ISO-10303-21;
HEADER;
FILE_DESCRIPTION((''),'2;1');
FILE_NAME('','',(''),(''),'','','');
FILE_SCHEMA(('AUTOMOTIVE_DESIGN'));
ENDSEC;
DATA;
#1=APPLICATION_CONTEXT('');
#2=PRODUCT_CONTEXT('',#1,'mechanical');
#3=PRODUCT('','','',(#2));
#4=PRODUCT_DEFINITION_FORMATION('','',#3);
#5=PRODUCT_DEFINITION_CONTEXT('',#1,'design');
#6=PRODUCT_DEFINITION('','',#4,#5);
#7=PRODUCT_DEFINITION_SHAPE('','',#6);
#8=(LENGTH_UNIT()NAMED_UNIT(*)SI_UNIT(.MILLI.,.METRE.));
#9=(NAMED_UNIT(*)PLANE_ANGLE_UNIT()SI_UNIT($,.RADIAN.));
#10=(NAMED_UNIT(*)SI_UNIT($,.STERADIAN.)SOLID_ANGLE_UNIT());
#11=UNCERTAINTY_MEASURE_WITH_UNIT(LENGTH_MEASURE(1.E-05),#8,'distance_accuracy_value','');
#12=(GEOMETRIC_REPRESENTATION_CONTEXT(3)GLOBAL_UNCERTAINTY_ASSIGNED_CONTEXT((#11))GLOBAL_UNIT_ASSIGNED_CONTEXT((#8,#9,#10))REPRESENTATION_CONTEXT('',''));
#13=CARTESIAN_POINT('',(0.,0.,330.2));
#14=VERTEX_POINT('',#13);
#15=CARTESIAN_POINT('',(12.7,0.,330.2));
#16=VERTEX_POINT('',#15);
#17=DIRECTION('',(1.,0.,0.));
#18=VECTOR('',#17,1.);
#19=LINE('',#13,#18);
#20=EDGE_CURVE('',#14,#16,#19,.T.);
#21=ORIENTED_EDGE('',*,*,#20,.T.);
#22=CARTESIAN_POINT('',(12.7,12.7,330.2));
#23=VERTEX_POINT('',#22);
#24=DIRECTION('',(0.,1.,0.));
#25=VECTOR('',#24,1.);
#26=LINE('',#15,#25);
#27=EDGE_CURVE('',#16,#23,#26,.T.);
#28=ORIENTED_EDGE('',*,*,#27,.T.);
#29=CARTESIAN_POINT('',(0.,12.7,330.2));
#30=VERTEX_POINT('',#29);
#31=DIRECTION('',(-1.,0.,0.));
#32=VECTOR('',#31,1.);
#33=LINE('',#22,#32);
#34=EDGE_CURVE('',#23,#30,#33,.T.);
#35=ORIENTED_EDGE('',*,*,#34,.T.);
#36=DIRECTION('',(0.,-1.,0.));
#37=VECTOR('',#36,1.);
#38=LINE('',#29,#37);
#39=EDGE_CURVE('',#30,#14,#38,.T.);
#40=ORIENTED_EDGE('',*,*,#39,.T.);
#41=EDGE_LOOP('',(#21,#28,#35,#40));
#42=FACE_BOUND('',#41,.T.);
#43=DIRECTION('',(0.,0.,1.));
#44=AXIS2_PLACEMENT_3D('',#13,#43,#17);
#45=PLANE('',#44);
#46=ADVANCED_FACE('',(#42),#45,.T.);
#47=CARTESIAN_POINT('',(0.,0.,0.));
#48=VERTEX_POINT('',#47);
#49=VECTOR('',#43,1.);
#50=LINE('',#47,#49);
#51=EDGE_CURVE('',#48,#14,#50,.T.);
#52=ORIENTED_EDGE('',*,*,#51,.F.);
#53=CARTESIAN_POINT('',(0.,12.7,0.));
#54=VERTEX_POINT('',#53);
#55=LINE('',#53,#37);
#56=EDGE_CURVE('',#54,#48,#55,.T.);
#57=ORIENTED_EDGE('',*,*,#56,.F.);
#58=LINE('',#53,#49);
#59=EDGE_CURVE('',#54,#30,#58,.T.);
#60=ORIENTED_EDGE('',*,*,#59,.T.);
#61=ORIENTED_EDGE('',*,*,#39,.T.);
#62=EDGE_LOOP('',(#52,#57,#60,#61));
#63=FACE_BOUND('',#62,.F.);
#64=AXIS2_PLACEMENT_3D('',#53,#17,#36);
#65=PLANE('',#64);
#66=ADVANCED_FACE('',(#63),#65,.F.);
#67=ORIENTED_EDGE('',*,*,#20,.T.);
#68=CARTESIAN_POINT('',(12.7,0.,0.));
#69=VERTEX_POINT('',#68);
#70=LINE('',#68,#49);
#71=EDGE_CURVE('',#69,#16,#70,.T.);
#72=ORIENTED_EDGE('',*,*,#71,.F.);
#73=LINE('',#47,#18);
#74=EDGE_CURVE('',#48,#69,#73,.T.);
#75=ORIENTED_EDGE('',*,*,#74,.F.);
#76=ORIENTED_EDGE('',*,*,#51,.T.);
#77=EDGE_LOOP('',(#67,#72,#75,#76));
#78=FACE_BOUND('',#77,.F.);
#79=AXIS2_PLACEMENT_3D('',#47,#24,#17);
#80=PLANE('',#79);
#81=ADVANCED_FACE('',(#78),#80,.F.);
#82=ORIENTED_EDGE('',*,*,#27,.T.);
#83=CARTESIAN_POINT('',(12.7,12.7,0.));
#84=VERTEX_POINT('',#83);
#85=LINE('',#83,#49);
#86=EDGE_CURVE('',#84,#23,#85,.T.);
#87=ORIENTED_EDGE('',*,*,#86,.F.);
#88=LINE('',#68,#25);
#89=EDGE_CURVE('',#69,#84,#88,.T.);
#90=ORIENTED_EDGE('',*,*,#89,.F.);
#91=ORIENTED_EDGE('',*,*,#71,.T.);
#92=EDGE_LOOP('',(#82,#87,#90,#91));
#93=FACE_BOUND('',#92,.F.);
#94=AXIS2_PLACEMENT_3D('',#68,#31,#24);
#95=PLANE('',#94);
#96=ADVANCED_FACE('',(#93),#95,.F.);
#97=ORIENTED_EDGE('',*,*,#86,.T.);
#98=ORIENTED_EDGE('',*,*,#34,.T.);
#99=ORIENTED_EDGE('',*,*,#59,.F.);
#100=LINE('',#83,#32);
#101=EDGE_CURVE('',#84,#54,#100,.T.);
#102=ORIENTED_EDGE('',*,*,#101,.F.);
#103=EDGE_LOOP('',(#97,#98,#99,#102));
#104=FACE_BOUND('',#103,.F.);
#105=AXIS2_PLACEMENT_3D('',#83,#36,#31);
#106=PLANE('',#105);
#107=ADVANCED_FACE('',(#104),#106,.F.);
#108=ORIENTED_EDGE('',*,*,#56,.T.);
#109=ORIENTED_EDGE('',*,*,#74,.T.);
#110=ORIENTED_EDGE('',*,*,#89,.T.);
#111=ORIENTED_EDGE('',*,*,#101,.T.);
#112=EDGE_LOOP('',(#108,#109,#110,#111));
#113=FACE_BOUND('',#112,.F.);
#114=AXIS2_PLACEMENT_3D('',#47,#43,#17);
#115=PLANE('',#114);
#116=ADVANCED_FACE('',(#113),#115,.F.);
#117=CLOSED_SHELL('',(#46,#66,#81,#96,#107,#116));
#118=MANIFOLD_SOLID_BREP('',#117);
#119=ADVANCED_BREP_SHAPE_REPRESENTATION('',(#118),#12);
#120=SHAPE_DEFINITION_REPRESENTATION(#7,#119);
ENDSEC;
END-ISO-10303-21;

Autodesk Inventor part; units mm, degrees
ref_plane "YZ Plane" through (0, 0, 0) normal (1, 0, 0) x (0, 1, 0)
ref_plane "XZ Plane" through (0, 0, 0) normal (0, 1, 0) x (-1, 0, 0)
ref_plane "XY Plane" through (0, 0, 0) normal (0, 0, 1) x (1, 0, 0)
sketch "Sketch1" plane through (0, 0, 0) normal (0, 0, 1) x (1, 0, 0)
  line L0 (0, 0) -> (12.7, 0)
  line L1 (12.7, 0) -> (12.7, 12.7)
  line L2 (12.7, 12.7) -> (0, 12.7)
  line L3 (0, 12.7) -> (0, 0)
  dimension "d0" = 12.7
  dimension "d1" = 12.7
extrude "Extrusion1" add sketch "Sketch1" along normal blind 330.2
properties part number "Arm" material "Wood (Cherry)"
